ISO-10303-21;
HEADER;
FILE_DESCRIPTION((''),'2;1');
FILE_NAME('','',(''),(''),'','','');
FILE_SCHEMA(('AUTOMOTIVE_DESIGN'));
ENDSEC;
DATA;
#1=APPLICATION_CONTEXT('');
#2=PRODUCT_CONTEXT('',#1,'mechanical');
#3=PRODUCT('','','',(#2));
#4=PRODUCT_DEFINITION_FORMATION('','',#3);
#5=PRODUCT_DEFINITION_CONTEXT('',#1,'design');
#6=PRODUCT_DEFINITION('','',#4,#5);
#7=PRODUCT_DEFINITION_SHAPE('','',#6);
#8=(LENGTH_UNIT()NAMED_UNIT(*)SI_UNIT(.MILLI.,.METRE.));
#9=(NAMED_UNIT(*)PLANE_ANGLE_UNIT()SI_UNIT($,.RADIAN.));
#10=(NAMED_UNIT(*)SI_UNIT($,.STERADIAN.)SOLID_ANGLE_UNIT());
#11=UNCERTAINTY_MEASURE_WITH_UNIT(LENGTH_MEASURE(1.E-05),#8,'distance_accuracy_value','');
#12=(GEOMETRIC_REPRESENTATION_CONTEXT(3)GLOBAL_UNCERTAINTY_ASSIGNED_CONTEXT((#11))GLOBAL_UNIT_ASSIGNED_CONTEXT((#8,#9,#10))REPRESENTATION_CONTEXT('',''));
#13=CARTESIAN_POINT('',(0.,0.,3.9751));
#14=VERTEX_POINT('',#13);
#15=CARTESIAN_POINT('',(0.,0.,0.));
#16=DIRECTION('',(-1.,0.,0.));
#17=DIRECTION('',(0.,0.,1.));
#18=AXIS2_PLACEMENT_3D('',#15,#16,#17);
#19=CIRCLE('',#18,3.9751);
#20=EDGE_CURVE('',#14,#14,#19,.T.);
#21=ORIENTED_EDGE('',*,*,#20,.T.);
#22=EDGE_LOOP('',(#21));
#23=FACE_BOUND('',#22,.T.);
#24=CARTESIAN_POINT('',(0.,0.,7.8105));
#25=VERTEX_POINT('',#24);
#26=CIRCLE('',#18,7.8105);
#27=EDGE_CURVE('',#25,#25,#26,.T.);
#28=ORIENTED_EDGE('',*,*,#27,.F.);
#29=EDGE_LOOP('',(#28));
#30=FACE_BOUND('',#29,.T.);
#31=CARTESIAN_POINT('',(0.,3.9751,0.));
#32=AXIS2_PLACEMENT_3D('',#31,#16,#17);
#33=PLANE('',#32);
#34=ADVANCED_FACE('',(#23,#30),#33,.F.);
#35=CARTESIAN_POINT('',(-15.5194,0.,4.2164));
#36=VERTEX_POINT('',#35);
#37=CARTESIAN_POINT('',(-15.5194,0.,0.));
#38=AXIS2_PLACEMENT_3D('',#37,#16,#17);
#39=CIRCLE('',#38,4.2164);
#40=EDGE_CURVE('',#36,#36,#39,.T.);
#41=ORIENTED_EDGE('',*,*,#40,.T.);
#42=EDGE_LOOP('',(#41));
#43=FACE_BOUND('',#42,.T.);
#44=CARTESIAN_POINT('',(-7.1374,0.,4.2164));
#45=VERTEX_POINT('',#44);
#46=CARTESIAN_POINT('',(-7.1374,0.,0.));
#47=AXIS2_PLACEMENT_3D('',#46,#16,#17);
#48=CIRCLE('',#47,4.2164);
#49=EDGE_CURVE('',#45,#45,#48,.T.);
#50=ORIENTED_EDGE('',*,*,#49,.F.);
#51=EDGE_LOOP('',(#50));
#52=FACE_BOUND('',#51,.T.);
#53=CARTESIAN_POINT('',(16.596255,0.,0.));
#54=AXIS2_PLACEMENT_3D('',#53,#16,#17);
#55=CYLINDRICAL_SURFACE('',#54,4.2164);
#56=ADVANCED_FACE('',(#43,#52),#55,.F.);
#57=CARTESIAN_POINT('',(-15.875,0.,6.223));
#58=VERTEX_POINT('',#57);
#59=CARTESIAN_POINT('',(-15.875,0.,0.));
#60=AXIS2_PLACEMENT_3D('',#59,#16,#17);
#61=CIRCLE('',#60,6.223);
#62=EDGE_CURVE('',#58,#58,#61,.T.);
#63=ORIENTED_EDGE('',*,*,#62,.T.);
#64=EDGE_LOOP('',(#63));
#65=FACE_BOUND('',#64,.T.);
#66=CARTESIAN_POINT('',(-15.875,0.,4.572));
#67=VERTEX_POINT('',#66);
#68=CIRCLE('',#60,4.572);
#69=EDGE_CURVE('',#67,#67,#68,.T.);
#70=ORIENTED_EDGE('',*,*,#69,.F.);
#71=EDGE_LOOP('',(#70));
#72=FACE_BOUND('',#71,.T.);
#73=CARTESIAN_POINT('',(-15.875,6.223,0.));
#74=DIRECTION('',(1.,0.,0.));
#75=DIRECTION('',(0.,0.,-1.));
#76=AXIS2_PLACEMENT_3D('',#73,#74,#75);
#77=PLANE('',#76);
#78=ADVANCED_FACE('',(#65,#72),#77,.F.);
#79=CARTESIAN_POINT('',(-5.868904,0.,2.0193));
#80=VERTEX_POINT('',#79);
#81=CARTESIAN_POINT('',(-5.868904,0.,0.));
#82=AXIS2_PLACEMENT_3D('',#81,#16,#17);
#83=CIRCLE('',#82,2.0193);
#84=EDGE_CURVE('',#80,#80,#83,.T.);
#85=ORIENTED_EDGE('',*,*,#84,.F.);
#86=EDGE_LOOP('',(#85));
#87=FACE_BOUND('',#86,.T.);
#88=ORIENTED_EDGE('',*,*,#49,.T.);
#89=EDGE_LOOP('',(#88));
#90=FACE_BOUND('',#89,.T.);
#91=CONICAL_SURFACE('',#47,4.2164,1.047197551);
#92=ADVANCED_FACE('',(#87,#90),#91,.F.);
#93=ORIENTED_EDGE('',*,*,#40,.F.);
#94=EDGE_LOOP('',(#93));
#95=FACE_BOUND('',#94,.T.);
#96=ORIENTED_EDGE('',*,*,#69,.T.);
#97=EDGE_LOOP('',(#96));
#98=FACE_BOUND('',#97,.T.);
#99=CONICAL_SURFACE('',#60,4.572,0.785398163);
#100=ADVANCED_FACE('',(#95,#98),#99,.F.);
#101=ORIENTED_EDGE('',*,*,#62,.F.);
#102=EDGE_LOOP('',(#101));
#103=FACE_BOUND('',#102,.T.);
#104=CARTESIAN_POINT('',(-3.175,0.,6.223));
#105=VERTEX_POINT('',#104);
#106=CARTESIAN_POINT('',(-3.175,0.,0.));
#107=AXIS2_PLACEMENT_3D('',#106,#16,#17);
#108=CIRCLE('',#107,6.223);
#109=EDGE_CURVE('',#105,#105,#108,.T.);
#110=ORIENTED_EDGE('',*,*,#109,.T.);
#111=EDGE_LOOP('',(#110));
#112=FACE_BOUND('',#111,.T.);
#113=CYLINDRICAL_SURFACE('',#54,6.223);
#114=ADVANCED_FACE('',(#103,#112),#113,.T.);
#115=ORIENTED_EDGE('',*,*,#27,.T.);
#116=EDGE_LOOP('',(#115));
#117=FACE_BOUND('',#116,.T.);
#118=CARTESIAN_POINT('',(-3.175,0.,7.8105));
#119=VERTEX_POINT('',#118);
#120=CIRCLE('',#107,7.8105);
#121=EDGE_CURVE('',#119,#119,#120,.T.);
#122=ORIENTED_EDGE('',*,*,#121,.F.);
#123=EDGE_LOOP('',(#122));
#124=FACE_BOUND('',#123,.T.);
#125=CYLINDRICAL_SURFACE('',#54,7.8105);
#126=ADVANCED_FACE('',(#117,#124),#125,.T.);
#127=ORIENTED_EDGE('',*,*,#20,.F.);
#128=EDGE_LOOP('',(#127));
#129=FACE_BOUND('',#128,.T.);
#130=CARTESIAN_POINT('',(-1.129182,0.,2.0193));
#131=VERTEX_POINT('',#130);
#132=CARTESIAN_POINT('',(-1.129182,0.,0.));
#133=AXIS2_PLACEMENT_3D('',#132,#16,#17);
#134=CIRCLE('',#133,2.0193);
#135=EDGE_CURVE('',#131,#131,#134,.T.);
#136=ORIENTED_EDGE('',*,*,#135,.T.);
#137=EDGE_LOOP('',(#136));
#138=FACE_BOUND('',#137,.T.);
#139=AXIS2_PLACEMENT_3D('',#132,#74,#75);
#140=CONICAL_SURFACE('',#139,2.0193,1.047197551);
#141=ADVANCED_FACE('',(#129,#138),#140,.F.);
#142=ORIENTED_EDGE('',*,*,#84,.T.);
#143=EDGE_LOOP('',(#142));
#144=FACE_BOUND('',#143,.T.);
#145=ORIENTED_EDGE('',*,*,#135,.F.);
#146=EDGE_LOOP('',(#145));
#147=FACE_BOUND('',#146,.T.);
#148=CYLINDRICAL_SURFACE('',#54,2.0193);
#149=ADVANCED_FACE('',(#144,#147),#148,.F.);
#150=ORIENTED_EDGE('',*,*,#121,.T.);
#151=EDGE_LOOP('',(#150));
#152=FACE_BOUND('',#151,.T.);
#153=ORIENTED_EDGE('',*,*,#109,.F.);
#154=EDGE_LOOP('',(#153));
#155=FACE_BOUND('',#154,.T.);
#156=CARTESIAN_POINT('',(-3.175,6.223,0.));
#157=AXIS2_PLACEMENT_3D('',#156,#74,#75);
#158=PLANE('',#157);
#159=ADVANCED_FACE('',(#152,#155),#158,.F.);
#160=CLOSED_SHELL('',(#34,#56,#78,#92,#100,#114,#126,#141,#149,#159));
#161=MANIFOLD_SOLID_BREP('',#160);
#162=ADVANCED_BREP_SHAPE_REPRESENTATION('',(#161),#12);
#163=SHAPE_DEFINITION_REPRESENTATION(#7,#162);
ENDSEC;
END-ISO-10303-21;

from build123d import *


with BuildPart() as part:
    # Sketch2 → Revolve1 (revolve)
    with BuildSketch(Plane.XY, mode=Mode.PRIVATE) as revolve1_sk:
        Polygon((0, 3.9751), (0, 7.8105), (-3.175, 7.8105), (-3.175, 6.223), (-15.875, 6.223), (-15.875, 4.572), (-15.5194, 4.2164), (-7.1374, 4.2164), (-5.868903724, 2.0193), (-1.129181656, 2.0193), align=None)
    revolve(revolve1_sk.sketch.rotate(Axis((16.596254831, 0, 0), (1, 0, 0)), 90), axis=Axis((16.596254831, 0, 0), (1, 0, 0)))


solid = part.part
